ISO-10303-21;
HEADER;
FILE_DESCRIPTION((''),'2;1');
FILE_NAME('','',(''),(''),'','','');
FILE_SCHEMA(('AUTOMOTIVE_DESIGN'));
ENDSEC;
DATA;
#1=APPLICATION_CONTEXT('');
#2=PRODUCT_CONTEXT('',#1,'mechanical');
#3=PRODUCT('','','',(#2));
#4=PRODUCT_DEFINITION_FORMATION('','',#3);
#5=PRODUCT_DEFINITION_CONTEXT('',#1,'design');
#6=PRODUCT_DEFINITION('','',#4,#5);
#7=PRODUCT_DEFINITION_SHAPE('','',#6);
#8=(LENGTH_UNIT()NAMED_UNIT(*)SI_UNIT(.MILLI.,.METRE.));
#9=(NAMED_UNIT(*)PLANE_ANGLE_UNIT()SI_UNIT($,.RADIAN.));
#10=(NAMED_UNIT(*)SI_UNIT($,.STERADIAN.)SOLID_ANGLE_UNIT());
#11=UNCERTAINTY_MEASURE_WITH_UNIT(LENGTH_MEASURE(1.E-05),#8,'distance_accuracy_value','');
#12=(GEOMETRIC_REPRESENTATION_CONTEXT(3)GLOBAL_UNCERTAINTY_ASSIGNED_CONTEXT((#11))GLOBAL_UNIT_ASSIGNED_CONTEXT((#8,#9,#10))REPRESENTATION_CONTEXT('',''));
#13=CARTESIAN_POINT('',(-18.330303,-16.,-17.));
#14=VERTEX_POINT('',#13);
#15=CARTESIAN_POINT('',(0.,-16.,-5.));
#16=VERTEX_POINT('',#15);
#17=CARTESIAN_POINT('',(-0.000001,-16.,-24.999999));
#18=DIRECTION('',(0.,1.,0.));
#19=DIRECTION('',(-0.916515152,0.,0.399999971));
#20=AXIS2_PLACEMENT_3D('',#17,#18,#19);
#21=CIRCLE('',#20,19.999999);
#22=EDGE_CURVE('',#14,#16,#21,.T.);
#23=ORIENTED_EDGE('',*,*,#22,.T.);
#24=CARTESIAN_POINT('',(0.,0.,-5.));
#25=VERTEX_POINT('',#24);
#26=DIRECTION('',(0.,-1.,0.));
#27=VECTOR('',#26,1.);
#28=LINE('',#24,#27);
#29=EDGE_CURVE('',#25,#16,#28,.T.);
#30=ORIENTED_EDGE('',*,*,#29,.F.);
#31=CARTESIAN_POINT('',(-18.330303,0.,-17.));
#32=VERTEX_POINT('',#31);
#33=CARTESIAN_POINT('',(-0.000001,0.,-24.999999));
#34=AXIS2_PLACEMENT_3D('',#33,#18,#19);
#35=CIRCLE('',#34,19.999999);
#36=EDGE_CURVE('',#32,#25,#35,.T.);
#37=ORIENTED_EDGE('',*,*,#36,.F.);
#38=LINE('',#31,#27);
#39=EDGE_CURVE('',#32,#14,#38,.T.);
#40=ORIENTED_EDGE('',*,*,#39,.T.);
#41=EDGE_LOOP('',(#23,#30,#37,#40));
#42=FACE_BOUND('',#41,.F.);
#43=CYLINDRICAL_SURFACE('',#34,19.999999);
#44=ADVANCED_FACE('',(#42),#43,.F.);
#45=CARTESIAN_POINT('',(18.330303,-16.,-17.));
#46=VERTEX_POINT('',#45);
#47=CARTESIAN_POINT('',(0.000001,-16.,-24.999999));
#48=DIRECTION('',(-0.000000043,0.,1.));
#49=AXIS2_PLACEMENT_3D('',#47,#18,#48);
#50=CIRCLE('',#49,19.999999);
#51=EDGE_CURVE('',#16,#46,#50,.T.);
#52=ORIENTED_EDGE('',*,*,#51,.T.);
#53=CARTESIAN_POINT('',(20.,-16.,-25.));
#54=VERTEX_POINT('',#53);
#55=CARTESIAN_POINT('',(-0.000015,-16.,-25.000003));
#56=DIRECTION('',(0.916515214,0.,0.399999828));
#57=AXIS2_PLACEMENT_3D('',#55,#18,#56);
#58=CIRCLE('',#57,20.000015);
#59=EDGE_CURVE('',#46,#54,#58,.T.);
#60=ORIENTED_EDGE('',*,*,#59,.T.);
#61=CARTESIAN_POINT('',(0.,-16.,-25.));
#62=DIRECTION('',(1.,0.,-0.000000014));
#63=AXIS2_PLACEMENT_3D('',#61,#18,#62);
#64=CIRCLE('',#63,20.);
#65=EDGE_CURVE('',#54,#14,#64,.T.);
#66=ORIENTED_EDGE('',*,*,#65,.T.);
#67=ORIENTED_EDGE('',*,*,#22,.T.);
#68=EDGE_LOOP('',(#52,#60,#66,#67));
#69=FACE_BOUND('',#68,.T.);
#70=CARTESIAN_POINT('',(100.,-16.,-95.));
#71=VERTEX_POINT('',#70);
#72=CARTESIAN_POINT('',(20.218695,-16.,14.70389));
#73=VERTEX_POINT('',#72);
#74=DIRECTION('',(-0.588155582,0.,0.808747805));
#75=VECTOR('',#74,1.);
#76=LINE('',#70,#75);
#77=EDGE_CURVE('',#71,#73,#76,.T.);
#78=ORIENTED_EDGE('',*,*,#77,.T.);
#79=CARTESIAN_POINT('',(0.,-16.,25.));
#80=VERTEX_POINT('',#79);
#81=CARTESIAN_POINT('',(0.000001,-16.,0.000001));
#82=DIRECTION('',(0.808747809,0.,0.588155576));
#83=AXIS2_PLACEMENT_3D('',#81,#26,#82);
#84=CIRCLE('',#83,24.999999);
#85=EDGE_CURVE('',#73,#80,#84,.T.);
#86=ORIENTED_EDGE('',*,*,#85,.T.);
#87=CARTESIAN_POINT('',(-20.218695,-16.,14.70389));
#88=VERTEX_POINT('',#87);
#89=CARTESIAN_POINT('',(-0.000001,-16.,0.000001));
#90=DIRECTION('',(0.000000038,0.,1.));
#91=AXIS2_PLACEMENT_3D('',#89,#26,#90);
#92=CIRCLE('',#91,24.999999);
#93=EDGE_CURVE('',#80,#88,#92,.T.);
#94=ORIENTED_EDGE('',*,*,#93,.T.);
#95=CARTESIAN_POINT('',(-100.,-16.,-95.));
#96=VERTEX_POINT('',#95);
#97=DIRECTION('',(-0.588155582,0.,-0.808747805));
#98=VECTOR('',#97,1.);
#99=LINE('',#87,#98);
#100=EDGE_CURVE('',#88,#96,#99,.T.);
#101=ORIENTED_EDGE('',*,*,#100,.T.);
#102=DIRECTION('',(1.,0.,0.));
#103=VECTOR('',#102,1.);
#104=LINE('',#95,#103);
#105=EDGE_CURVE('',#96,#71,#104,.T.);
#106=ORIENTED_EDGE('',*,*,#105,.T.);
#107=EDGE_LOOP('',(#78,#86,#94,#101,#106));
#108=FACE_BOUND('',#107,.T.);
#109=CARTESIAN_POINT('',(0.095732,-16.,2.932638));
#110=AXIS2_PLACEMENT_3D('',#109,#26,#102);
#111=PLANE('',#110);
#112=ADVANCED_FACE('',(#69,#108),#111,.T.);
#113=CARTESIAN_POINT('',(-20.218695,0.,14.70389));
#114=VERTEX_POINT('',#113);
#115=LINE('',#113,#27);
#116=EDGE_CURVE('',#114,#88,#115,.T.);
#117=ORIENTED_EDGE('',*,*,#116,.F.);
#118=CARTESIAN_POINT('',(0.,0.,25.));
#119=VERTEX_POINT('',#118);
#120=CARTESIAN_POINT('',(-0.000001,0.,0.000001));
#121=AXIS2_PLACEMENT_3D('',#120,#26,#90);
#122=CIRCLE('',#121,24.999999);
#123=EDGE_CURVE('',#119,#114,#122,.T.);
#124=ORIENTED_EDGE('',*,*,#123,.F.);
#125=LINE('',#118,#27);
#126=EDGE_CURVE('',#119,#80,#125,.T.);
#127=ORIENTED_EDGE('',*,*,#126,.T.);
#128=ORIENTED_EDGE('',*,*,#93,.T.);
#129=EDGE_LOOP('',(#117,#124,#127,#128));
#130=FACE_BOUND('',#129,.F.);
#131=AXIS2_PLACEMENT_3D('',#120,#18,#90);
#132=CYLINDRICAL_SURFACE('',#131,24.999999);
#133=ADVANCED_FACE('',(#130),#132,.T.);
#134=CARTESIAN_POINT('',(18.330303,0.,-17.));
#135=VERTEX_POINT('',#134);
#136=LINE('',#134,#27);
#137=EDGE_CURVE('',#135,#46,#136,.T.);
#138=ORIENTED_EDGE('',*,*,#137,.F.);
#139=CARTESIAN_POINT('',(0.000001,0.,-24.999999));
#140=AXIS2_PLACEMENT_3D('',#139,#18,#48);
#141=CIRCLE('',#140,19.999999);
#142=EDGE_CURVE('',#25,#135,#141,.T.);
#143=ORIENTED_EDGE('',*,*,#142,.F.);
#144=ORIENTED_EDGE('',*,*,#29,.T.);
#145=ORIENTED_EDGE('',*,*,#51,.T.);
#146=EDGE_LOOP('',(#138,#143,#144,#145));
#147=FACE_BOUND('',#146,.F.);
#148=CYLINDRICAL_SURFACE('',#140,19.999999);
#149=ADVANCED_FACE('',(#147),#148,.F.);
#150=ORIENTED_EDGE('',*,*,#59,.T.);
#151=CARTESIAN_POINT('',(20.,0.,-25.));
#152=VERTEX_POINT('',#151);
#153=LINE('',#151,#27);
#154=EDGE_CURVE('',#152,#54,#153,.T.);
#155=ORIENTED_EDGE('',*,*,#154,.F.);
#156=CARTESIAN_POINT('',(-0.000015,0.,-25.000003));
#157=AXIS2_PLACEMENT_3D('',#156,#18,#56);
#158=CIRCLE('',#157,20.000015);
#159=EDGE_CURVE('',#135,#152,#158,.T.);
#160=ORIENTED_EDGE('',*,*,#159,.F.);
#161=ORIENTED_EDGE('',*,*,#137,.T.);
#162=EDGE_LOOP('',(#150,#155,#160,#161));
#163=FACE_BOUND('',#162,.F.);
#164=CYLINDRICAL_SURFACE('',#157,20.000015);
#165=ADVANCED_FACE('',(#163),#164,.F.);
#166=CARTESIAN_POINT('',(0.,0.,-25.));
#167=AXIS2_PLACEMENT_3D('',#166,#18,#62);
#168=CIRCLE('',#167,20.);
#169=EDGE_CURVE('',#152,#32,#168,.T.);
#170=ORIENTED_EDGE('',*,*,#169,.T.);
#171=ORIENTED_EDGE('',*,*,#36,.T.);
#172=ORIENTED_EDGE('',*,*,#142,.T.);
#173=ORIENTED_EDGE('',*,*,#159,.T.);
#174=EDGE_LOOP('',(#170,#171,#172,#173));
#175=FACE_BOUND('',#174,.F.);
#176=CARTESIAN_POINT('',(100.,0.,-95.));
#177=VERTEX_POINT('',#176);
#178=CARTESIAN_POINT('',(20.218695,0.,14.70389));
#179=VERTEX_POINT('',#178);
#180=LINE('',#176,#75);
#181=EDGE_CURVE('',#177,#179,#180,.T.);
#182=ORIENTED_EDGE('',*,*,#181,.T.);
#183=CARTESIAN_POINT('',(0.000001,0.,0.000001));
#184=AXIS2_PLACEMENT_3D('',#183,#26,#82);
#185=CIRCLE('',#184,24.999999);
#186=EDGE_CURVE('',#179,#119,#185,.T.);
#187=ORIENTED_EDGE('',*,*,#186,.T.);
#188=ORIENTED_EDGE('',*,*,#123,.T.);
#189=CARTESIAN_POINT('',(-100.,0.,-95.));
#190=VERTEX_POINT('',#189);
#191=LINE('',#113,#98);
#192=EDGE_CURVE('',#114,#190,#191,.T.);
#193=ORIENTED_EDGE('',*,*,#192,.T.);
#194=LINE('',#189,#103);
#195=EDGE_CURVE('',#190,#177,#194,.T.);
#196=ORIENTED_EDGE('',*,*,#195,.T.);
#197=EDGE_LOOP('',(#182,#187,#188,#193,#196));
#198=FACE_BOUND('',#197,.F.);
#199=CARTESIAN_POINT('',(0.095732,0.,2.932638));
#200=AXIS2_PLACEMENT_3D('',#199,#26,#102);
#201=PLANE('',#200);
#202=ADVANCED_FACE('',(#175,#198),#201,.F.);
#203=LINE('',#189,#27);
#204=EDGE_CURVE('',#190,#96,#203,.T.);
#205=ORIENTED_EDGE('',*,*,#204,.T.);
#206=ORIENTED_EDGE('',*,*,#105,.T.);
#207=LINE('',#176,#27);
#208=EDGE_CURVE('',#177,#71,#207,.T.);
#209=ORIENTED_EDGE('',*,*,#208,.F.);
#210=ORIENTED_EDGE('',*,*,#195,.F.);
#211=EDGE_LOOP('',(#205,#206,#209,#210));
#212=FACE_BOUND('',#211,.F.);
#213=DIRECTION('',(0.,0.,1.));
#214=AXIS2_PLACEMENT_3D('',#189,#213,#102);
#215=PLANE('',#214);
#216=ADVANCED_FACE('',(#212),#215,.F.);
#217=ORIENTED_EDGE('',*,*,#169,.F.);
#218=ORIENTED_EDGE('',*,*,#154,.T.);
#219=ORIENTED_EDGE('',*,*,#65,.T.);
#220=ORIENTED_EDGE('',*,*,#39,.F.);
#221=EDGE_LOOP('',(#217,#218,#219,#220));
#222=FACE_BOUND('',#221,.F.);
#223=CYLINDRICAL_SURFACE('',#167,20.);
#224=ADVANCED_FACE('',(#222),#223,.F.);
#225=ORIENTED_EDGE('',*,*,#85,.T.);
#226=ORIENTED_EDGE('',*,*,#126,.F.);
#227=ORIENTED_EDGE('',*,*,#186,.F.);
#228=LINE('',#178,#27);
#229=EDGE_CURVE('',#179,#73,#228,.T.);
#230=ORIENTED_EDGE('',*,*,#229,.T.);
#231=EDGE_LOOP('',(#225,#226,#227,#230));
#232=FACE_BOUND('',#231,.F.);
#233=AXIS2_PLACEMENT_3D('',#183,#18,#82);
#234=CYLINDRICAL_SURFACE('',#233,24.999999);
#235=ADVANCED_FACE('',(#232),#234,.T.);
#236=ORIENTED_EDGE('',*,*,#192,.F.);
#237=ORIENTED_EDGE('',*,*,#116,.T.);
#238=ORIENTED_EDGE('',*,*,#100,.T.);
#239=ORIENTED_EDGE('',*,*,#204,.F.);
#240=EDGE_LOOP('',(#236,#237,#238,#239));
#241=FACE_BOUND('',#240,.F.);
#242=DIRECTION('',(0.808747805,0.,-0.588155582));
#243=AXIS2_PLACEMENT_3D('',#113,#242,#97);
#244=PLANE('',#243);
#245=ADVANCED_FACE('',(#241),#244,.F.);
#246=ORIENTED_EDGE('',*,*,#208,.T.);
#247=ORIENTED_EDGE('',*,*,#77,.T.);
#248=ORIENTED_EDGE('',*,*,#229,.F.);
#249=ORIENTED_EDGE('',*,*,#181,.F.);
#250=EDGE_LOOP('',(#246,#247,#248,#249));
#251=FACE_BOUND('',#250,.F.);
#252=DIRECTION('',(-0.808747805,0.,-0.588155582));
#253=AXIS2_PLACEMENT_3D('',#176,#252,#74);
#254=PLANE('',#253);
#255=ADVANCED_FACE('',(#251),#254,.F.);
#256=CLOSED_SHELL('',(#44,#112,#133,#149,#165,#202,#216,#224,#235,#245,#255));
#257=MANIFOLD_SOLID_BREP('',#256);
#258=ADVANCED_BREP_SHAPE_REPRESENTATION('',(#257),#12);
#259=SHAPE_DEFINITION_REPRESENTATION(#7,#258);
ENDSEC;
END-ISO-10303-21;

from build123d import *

# Parameters (mm, degrees)
F1_DEPTH = 16


with BuildPart() as f1:
    # F0 (on Front) → F1 (new body)
    with BuildSketch(Plane.XZ):
        with BuildLine():
            ThreePointArc((18.330303, -17), (23.27292, -9.130784), (25, 0))
            ThreePointArc((25, 0), (23.774644, 7.730867), (20.218695, 14.70389))
            ThreePointArc((20.218695, 14.70389), (11.344663, 22.277761), (0, 25))
            ThreePointArc((0, 25), (-11.344663, 22.277761), (-20.218695, 14.70389))
            ThreePointArc((-20.218695, 14.70389), (-24.95577, -1.486451), (-18.330303, -17))
            ThreePointArc((-18.330303, -17), (-10.954451, -8.266799), (0, -5))
            ThreePointArc((0, -5), (10.954451, -8.266799), (18.330303, -17))
        make_face()
        with BuildLine():
            ThreePointArc((20.218695, 14.70389), (23.774644, 7.730867), (25, 0))
            ThreePointArc((25, 0), (23.27292, -9.130784), (18.330303, -17))
            ThreePointArc((18.330303, -17), (19.578126, -20.913807), (20, -25))
            ThreePointArc((20, -25), (-4.086193, -44.578126), (-18.330303, -17))
            ThreePointArc((-18.330303, -17), (-24.95577, -1.486451), (-20.218695, 14.70389))
            Line((-20.218695, 14.70389), (-100, -95))
            Line((-100, -95), (0, -95))
            Line((0, -95), (100, -95))
            Line((100, -95), (20.218695, 14.70389))
        make_face()
    extrude(amount=F1_DEPTH)


solid = f1.part
